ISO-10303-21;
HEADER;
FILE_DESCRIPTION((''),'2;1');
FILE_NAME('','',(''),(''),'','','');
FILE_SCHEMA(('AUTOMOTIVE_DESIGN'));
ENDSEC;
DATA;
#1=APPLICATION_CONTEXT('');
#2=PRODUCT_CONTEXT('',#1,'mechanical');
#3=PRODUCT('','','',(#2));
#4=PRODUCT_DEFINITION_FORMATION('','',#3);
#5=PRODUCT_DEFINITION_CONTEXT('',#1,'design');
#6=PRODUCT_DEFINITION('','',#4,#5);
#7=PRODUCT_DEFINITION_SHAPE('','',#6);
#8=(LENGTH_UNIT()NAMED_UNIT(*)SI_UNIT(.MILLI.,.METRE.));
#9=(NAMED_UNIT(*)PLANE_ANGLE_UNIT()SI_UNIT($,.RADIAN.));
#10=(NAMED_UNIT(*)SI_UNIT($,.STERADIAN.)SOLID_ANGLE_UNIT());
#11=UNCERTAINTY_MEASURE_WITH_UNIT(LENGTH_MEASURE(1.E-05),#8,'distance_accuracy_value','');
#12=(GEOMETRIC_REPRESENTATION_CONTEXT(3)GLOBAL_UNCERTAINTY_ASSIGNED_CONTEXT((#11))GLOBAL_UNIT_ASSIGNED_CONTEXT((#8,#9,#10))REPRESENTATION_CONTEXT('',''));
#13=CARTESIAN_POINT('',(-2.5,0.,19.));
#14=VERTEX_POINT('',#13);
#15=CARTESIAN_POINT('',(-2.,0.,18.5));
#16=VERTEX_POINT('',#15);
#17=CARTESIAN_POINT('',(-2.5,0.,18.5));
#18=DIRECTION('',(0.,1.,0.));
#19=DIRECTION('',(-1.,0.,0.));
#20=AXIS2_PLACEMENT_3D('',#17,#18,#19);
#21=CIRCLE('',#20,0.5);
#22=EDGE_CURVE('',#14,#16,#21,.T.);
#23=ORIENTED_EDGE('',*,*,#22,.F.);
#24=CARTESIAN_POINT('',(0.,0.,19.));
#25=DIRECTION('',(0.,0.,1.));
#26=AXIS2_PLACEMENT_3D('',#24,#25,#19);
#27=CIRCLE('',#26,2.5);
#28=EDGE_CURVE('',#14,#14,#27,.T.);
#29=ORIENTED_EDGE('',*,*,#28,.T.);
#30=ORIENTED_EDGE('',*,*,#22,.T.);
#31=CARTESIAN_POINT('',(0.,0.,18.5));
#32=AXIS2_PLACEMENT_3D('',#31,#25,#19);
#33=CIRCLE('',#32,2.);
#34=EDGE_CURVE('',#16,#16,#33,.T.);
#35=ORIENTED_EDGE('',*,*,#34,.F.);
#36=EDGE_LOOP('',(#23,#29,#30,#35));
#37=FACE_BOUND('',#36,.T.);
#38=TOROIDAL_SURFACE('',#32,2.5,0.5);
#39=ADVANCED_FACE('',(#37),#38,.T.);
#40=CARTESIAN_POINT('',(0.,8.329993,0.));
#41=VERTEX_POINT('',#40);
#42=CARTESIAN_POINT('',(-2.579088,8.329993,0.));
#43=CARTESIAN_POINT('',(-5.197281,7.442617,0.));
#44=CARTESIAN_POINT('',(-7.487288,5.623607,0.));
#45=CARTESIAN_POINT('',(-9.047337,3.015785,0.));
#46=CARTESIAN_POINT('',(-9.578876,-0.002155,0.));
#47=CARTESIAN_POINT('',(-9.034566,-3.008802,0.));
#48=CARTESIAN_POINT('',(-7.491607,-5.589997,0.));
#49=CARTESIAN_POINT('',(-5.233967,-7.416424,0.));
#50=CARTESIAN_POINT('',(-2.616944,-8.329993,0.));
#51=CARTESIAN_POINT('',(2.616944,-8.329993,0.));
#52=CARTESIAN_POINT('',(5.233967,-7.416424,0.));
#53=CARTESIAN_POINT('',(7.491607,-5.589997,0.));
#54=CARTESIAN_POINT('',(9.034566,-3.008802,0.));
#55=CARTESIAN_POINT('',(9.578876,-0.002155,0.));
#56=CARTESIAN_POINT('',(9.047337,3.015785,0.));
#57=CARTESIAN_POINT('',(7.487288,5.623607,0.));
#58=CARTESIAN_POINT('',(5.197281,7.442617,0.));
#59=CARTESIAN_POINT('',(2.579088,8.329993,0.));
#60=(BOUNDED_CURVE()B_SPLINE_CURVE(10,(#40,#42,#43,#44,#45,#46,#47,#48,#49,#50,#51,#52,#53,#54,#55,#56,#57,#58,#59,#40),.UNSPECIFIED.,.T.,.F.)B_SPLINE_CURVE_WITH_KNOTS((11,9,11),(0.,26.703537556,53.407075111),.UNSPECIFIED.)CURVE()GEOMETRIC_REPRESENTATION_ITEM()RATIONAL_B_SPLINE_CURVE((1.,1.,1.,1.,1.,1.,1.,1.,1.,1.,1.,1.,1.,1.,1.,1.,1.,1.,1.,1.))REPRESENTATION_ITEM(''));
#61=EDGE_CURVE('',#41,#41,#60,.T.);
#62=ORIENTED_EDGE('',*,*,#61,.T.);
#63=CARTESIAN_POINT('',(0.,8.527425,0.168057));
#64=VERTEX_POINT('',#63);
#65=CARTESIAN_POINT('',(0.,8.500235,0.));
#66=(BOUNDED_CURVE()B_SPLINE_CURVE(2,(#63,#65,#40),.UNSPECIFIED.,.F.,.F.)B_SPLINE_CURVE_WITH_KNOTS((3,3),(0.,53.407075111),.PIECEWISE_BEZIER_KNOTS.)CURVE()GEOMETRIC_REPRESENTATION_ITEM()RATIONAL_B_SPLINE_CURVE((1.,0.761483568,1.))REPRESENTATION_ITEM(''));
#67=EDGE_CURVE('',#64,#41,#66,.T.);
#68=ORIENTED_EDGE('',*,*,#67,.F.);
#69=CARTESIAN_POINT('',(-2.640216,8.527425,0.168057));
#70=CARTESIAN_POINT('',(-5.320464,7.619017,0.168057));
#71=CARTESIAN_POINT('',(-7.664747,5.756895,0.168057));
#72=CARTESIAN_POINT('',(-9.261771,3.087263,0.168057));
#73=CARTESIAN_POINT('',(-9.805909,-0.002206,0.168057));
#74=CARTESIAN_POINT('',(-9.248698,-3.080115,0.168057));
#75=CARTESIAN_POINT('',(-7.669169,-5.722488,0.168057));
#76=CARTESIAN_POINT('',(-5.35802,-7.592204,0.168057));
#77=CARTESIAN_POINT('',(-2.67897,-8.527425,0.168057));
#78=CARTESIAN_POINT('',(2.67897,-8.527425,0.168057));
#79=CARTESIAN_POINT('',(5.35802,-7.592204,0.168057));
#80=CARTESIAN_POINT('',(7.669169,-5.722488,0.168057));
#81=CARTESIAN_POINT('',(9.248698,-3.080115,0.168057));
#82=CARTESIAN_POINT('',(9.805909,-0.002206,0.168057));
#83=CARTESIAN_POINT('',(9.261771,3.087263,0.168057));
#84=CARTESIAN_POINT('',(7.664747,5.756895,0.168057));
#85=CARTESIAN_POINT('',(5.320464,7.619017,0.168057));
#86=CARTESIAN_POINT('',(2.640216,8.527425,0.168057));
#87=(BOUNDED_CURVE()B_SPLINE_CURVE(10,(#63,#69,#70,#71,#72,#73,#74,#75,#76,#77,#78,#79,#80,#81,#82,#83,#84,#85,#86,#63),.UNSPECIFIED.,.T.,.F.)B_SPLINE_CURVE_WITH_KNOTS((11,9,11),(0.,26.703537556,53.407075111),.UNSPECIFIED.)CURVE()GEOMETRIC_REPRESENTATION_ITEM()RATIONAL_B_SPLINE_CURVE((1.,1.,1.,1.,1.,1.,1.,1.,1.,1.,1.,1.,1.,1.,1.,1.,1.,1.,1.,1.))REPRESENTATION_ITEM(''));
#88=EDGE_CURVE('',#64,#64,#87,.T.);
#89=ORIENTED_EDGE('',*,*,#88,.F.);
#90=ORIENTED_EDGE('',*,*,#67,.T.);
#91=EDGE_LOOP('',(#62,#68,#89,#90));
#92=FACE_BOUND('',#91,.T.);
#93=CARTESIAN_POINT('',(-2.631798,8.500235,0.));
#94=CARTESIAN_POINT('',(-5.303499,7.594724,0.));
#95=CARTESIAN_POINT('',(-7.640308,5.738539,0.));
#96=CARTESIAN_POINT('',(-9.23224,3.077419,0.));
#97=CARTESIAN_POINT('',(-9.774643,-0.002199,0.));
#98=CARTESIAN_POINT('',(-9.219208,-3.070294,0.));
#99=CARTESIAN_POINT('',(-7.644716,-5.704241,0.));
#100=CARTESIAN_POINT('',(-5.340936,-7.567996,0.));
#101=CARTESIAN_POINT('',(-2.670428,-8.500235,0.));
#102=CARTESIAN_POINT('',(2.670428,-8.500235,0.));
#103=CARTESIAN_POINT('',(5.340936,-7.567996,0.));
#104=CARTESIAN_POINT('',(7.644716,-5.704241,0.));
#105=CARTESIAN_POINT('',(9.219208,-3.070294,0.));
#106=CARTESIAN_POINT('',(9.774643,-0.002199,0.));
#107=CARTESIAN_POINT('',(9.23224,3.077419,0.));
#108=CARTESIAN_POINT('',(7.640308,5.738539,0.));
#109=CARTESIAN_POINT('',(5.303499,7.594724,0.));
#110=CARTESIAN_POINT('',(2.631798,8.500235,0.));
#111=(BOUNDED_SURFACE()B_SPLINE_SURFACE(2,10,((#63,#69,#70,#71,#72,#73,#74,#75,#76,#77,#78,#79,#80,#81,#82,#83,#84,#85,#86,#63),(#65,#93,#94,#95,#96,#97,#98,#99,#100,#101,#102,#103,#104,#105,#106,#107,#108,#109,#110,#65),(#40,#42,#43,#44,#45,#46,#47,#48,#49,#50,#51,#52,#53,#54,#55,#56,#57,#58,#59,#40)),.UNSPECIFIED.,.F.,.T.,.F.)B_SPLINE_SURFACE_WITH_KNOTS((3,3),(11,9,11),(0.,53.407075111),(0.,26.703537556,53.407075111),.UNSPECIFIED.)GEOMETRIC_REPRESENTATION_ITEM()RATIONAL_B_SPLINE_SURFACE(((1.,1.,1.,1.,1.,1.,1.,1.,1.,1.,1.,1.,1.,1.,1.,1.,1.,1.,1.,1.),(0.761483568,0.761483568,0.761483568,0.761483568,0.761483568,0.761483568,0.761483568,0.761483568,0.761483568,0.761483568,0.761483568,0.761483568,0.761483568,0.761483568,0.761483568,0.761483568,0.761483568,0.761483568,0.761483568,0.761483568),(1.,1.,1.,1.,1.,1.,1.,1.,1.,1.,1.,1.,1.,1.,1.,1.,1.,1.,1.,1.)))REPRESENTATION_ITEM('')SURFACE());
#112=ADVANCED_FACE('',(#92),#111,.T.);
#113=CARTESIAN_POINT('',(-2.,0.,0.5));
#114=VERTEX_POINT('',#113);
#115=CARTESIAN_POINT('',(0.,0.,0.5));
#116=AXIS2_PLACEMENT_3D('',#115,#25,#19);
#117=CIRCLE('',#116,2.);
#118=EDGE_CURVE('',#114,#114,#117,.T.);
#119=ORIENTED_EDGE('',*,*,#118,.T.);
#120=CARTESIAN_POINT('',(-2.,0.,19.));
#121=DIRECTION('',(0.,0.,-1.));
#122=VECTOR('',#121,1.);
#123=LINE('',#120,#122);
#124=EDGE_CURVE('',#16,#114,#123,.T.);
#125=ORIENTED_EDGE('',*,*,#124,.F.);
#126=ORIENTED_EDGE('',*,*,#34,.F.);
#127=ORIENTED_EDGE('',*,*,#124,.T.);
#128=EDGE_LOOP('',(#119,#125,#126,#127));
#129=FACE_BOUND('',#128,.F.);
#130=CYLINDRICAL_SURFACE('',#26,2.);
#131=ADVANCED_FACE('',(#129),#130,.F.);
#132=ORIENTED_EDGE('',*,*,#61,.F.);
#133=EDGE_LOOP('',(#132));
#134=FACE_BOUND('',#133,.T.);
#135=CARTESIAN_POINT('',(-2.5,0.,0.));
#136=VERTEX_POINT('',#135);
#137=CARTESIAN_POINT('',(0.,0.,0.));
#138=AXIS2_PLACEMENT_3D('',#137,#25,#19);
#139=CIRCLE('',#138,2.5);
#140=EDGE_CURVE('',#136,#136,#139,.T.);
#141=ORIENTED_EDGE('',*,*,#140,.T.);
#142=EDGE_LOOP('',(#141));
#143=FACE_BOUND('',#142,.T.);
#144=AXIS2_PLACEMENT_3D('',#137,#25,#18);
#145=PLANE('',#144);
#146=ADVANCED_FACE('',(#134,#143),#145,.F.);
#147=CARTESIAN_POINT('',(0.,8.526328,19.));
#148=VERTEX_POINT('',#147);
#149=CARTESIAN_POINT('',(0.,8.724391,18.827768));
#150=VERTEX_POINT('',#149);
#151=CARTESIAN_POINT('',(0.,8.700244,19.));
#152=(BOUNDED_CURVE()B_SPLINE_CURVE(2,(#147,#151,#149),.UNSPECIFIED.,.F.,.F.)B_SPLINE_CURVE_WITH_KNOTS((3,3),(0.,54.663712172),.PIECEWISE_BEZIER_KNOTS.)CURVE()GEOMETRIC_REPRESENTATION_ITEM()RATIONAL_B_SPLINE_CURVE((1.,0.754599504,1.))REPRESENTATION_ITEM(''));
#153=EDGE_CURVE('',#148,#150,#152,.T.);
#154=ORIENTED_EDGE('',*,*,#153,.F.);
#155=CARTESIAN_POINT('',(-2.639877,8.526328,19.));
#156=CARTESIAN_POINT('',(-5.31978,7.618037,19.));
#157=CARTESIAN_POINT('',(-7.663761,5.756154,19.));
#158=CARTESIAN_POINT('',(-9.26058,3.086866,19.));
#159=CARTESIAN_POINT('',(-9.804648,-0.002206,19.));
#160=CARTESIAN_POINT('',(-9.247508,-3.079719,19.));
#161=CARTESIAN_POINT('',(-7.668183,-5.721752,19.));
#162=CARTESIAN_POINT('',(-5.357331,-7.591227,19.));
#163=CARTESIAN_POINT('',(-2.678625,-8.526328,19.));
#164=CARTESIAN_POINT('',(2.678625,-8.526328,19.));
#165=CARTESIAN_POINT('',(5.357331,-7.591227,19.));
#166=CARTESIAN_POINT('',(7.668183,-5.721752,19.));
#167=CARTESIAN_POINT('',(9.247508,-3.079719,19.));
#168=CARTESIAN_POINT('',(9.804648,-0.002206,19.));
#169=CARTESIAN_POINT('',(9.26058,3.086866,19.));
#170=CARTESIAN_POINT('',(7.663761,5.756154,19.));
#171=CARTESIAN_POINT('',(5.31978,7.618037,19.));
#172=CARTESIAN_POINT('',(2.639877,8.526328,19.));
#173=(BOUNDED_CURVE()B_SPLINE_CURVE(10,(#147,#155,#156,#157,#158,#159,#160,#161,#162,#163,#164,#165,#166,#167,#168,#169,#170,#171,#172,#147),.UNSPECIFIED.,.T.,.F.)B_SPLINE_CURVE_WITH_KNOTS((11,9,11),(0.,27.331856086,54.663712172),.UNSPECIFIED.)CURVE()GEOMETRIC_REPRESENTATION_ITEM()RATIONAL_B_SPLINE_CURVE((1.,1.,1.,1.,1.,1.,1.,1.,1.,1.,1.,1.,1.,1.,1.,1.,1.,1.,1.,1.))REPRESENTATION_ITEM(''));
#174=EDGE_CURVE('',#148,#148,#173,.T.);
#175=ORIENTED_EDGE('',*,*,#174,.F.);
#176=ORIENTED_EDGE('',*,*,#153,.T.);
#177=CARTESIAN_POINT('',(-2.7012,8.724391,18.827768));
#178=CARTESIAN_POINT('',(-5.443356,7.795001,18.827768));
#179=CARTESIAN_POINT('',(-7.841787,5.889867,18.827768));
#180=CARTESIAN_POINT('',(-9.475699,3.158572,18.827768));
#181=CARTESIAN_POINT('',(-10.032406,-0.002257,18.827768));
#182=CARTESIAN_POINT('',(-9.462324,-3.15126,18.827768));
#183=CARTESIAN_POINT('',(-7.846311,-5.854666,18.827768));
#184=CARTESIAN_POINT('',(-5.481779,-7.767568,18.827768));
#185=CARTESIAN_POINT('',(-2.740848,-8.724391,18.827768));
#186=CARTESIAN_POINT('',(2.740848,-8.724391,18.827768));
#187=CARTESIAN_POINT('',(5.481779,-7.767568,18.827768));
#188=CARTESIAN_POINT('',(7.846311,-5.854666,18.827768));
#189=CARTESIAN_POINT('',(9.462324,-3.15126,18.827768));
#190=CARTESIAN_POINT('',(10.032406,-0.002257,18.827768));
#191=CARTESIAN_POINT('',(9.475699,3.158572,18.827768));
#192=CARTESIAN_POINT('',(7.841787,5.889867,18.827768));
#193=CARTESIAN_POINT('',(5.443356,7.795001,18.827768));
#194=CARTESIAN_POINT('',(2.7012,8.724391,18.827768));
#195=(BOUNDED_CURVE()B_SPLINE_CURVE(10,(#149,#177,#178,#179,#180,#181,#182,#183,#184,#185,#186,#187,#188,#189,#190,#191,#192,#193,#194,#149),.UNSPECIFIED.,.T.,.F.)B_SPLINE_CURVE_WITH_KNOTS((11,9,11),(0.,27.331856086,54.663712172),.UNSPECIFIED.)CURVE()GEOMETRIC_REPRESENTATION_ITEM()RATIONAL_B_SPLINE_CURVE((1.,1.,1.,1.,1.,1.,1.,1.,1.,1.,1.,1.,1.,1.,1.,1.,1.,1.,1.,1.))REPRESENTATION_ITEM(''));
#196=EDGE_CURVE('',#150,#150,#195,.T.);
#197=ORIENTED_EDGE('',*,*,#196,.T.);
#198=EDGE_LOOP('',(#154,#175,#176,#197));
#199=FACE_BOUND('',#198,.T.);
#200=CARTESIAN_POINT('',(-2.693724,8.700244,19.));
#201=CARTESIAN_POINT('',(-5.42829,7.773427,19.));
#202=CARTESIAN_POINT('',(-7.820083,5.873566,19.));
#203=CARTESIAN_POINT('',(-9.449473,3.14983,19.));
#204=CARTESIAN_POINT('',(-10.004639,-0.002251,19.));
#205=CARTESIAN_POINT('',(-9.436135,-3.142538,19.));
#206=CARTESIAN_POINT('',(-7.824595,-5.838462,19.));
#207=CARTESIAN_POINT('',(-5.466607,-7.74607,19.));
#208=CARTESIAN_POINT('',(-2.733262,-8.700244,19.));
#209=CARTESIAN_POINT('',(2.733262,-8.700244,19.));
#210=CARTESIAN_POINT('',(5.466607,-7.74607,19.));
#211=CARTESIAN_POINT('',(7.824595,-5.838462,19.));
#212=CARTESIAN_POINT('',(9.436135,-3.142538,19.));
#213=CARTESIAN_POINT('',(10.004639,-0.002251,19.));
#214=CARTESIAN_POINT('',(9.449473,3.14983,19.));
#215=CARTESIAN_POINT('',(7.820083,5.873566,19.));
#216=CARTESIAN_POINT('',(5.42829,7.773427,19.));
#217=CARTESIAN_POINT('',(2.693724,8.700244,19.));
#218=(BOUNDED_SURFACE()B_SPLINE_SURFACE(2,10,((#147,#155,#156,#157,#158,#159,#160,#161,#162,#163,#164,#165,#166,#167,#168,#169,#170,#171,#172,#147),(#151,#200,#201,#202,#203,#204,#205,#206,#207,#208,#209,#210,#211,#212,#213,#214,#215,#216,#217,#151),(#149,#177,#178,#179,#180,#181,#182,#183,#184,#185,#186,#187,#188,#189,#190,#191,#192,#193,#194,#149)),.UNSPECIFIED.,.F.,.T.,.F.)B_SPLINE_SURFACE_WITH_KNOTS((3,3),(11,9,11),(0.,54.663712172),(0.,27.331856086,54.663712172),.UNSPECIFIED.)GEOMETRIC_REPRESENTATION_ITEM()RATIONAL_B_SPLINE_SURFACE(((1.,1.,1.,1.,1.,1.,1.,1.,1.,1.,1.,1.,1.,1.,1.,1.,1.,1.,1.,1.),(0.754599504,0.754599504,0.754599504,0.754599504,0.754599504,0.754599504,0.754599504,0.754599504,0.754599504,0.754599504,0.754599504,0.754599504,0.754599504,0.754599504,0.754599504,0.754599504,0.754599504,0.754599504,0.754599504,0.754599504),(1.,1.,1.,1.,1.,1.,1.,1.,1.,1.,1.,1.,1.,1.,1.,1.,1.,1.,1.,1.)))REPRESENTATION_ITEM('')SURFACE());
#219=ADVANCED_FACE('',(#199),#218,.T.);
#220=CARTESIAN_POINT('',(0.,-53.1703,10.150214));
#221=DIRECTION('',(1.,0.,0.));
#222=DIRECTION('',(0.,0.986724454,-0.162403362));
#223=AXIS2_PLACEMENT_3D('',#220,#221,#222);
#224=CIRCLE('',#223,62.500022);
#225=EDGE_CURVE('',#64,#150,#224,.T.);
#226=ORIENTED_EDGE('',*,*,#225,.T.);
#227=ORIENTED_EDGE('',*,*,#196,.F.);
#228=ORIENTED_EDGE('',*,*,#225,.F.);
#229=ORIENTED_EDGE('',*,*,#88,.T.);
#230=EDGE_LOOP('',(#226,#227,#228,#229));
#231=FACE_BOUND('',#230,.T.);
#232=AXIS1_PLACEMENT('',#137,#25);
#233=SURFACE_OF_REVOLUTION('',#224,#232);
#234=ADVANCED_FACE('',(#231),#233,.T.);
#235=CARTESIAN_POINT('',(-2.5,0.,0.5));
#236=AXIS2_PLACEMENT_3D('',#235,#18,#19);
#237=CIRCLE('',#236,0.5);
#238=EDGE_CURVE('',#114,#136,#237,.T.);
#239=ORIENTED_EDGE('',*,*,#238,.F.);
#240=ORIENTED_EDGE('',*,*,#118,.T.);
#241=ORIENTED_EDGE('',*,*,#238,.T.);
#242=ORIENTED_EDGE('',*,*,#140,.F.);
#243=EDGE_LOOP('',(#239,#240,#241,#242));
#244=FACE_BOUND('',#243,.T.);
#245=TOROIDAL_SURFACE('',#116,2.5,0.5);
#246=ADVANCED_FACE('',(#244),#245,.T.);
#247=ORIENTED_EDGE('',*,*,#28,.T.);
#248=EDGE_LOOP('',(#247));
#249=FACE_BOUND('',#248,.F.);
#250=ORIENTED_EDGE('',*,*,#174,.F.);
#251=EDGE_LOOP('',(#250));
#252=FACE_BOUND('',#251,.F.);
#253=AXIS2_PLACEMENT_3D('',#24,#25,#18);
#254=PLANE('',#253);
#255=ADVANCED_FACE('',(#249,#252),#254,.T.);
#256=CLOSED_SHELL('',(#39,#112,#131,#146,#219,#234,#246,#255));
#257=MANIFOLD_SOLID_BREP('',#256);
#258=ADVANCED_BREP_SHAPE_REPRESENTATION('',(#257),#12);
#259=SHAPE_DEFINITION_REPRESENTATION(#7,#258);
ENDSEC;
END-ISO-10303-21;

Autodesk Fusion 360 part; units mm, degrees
sketch "Esboço1" plane through (0, 0, 0) normal (1, 0, 0) x (0, 1, 0)
  line L0 (0, 0) -> (8.5, 0)
  line L1 (0, 0) -> (0, 19)
  line L2 (0, 19) -> (8.7, 19)
  arc A0 (8.5, 0) -> (8.7, 19) centre (-53.1703, 10.1502) ccw
  line L3 (8.5, 0) -> (8.5, 10.6447)
  dimension "d1" = 8.5
  dimension "d2" = 19
  dimension "d3" = 8.7
  dimension "d5" = 125
revolve "Revolucionar1" add sketch "Esboço1" angle 360 about axis through (0, 0, 0) along (0, 0, 1)
sketch "Esboço2" plane through (0, 0, 19) normal (0, 0, 1) x (-1, 0, 0)
  circle A0 centre (0, 0) radius 8.7
  circle A1 centre (0, 0) radius 2
  dimension "d7" = 4
extrude "Extrusão1" cut sketch "Esboço2" against normal blind 24 contours A1
fillet "Arredondamento1" radius 0.5 2 edges at (1.8647, -0.7232, 19) (1.8647, 0.7232, 0)
fillet "Arredondamento2" radius 0.2 2 edges at (-8.1112, 3.1461, 19) (-7.9248, 3.0737, 0)
